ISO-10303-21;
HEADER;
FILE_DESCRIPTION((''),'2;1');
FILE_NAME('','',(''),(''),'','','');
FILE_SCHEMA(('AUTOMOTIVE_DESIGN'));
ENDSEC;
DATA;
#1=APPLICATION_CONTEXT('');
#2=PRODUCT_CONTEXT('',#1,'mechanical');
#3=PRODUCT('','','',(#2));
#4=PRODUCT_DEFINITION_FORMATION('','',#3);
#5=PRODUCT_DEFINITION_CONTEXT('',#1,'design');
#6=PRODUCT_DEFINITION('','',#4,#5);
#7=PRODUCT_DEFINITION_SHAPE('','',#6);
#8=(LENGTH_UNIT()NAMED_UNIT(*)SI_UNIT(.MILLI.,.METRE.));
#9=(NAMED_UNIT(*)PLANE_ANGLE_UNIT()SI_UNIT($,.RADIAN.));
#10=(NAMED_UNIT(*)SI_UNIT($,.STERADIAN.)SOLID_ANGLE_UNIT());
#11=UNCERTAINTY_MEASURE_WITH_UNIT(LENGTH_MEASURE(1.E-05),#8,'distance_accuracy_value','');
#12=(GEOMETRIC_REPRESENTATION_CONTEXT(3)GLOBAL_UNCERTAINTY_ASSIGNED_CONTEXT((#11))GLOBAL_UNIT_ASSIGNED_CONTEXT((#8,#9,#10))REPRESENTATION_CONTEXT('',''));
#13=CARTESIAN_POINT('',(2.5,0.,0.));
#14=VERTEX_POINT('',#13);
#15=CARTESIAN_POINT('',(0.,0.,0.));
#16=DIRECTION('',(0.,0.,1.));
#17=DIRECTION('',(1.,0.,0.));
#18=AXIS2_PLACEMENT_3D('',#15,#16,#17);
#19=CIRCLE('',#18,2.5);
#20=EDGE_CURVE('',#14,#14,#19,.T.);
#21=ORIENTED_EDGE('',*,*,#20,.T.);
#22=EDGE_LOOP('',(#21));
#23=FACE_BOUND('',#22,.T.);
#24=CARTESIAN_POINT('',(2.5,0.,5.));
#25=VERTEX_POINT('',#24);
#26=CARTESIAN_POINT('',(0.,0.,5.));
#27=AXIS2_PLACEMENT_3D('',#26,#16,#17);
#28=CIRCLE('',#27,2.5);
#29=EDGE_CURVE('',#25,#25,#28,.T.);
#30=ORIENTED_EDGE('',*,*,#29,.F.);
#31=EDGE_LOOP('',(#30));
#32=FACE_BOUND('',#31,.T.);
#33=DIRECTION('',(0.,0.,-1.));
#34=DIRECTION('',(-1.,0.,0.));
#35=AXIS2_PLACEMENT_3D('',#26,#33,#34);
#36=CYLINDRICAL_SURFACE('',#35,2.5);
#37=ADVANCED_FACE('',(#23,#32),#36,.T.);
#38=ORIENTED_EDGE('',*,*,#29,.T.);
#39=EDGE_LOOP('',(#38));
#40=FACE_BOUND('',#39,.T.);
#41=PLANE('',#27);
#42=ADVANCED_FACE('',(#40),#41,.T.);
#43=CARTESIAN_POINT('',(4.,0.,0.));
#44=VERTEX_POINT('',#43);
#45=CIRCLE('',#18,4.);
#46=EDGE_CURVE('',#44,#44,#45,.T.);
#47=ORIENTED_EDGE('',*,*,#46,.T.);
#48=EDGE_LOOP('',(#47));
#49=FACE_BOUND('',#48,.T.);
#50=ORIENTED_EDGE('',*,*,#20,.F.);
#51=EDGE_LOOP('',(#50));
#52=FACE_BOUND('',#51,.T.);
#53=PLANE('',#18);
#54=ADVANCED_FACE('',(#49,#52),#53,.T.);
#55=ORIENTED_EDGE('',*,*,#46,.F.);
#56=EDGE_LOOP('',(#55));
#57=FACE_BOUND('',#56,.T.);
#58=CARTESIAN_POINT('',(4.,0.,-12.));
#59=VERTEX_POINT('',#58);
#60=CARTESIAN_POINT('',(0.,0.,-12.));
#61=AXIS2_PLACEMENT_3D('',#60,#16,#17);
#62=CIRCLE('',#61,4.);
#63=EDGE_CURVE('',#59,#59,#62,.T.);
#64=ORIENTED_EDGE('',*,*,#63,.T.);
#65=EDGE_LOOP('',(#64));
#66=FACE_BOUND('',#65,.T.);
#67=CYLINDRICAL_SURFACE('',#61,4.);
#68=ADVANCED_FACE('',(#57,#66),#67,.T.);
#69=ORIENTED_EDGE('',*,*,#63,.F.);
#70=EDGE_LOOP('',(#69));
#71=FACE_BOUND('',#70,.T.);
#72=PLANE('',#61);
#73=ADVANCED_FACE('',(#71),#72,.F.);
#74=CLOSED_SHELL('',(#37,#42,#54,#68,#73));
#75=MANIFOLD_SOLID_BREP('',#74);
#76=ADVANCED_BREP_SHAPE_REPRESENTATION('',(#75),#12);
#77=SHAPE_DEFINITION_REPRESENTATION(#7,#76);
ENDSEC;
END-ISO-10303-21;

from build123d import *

# Parameters (mm, degrees)
ESQUISSE1_R        = 2.5
BOSS_EXTRU_1_DEPTH = 5
ESQUISSE3_R        = 4
BOSS_EXTRU_2_DEPTH = 12


with BuildPart() as part:
    # Esquisse1 → Boss.-Extru.1 (new body)
    with BuildSketch(Plane.XY):
        Circle(ESQUISSE1_R)
    extrude(amount=BOSS_EXTRU_1_DEPTH)

    # Esquisse3 → Boss.-Extru.2 (add)
    with BuildSketch(Plane.XY):
        Circle(ESQUISSE3_R)
    extrude(amount=-BOSS_EXTRU_2_DEPTH)


solid = part.part
